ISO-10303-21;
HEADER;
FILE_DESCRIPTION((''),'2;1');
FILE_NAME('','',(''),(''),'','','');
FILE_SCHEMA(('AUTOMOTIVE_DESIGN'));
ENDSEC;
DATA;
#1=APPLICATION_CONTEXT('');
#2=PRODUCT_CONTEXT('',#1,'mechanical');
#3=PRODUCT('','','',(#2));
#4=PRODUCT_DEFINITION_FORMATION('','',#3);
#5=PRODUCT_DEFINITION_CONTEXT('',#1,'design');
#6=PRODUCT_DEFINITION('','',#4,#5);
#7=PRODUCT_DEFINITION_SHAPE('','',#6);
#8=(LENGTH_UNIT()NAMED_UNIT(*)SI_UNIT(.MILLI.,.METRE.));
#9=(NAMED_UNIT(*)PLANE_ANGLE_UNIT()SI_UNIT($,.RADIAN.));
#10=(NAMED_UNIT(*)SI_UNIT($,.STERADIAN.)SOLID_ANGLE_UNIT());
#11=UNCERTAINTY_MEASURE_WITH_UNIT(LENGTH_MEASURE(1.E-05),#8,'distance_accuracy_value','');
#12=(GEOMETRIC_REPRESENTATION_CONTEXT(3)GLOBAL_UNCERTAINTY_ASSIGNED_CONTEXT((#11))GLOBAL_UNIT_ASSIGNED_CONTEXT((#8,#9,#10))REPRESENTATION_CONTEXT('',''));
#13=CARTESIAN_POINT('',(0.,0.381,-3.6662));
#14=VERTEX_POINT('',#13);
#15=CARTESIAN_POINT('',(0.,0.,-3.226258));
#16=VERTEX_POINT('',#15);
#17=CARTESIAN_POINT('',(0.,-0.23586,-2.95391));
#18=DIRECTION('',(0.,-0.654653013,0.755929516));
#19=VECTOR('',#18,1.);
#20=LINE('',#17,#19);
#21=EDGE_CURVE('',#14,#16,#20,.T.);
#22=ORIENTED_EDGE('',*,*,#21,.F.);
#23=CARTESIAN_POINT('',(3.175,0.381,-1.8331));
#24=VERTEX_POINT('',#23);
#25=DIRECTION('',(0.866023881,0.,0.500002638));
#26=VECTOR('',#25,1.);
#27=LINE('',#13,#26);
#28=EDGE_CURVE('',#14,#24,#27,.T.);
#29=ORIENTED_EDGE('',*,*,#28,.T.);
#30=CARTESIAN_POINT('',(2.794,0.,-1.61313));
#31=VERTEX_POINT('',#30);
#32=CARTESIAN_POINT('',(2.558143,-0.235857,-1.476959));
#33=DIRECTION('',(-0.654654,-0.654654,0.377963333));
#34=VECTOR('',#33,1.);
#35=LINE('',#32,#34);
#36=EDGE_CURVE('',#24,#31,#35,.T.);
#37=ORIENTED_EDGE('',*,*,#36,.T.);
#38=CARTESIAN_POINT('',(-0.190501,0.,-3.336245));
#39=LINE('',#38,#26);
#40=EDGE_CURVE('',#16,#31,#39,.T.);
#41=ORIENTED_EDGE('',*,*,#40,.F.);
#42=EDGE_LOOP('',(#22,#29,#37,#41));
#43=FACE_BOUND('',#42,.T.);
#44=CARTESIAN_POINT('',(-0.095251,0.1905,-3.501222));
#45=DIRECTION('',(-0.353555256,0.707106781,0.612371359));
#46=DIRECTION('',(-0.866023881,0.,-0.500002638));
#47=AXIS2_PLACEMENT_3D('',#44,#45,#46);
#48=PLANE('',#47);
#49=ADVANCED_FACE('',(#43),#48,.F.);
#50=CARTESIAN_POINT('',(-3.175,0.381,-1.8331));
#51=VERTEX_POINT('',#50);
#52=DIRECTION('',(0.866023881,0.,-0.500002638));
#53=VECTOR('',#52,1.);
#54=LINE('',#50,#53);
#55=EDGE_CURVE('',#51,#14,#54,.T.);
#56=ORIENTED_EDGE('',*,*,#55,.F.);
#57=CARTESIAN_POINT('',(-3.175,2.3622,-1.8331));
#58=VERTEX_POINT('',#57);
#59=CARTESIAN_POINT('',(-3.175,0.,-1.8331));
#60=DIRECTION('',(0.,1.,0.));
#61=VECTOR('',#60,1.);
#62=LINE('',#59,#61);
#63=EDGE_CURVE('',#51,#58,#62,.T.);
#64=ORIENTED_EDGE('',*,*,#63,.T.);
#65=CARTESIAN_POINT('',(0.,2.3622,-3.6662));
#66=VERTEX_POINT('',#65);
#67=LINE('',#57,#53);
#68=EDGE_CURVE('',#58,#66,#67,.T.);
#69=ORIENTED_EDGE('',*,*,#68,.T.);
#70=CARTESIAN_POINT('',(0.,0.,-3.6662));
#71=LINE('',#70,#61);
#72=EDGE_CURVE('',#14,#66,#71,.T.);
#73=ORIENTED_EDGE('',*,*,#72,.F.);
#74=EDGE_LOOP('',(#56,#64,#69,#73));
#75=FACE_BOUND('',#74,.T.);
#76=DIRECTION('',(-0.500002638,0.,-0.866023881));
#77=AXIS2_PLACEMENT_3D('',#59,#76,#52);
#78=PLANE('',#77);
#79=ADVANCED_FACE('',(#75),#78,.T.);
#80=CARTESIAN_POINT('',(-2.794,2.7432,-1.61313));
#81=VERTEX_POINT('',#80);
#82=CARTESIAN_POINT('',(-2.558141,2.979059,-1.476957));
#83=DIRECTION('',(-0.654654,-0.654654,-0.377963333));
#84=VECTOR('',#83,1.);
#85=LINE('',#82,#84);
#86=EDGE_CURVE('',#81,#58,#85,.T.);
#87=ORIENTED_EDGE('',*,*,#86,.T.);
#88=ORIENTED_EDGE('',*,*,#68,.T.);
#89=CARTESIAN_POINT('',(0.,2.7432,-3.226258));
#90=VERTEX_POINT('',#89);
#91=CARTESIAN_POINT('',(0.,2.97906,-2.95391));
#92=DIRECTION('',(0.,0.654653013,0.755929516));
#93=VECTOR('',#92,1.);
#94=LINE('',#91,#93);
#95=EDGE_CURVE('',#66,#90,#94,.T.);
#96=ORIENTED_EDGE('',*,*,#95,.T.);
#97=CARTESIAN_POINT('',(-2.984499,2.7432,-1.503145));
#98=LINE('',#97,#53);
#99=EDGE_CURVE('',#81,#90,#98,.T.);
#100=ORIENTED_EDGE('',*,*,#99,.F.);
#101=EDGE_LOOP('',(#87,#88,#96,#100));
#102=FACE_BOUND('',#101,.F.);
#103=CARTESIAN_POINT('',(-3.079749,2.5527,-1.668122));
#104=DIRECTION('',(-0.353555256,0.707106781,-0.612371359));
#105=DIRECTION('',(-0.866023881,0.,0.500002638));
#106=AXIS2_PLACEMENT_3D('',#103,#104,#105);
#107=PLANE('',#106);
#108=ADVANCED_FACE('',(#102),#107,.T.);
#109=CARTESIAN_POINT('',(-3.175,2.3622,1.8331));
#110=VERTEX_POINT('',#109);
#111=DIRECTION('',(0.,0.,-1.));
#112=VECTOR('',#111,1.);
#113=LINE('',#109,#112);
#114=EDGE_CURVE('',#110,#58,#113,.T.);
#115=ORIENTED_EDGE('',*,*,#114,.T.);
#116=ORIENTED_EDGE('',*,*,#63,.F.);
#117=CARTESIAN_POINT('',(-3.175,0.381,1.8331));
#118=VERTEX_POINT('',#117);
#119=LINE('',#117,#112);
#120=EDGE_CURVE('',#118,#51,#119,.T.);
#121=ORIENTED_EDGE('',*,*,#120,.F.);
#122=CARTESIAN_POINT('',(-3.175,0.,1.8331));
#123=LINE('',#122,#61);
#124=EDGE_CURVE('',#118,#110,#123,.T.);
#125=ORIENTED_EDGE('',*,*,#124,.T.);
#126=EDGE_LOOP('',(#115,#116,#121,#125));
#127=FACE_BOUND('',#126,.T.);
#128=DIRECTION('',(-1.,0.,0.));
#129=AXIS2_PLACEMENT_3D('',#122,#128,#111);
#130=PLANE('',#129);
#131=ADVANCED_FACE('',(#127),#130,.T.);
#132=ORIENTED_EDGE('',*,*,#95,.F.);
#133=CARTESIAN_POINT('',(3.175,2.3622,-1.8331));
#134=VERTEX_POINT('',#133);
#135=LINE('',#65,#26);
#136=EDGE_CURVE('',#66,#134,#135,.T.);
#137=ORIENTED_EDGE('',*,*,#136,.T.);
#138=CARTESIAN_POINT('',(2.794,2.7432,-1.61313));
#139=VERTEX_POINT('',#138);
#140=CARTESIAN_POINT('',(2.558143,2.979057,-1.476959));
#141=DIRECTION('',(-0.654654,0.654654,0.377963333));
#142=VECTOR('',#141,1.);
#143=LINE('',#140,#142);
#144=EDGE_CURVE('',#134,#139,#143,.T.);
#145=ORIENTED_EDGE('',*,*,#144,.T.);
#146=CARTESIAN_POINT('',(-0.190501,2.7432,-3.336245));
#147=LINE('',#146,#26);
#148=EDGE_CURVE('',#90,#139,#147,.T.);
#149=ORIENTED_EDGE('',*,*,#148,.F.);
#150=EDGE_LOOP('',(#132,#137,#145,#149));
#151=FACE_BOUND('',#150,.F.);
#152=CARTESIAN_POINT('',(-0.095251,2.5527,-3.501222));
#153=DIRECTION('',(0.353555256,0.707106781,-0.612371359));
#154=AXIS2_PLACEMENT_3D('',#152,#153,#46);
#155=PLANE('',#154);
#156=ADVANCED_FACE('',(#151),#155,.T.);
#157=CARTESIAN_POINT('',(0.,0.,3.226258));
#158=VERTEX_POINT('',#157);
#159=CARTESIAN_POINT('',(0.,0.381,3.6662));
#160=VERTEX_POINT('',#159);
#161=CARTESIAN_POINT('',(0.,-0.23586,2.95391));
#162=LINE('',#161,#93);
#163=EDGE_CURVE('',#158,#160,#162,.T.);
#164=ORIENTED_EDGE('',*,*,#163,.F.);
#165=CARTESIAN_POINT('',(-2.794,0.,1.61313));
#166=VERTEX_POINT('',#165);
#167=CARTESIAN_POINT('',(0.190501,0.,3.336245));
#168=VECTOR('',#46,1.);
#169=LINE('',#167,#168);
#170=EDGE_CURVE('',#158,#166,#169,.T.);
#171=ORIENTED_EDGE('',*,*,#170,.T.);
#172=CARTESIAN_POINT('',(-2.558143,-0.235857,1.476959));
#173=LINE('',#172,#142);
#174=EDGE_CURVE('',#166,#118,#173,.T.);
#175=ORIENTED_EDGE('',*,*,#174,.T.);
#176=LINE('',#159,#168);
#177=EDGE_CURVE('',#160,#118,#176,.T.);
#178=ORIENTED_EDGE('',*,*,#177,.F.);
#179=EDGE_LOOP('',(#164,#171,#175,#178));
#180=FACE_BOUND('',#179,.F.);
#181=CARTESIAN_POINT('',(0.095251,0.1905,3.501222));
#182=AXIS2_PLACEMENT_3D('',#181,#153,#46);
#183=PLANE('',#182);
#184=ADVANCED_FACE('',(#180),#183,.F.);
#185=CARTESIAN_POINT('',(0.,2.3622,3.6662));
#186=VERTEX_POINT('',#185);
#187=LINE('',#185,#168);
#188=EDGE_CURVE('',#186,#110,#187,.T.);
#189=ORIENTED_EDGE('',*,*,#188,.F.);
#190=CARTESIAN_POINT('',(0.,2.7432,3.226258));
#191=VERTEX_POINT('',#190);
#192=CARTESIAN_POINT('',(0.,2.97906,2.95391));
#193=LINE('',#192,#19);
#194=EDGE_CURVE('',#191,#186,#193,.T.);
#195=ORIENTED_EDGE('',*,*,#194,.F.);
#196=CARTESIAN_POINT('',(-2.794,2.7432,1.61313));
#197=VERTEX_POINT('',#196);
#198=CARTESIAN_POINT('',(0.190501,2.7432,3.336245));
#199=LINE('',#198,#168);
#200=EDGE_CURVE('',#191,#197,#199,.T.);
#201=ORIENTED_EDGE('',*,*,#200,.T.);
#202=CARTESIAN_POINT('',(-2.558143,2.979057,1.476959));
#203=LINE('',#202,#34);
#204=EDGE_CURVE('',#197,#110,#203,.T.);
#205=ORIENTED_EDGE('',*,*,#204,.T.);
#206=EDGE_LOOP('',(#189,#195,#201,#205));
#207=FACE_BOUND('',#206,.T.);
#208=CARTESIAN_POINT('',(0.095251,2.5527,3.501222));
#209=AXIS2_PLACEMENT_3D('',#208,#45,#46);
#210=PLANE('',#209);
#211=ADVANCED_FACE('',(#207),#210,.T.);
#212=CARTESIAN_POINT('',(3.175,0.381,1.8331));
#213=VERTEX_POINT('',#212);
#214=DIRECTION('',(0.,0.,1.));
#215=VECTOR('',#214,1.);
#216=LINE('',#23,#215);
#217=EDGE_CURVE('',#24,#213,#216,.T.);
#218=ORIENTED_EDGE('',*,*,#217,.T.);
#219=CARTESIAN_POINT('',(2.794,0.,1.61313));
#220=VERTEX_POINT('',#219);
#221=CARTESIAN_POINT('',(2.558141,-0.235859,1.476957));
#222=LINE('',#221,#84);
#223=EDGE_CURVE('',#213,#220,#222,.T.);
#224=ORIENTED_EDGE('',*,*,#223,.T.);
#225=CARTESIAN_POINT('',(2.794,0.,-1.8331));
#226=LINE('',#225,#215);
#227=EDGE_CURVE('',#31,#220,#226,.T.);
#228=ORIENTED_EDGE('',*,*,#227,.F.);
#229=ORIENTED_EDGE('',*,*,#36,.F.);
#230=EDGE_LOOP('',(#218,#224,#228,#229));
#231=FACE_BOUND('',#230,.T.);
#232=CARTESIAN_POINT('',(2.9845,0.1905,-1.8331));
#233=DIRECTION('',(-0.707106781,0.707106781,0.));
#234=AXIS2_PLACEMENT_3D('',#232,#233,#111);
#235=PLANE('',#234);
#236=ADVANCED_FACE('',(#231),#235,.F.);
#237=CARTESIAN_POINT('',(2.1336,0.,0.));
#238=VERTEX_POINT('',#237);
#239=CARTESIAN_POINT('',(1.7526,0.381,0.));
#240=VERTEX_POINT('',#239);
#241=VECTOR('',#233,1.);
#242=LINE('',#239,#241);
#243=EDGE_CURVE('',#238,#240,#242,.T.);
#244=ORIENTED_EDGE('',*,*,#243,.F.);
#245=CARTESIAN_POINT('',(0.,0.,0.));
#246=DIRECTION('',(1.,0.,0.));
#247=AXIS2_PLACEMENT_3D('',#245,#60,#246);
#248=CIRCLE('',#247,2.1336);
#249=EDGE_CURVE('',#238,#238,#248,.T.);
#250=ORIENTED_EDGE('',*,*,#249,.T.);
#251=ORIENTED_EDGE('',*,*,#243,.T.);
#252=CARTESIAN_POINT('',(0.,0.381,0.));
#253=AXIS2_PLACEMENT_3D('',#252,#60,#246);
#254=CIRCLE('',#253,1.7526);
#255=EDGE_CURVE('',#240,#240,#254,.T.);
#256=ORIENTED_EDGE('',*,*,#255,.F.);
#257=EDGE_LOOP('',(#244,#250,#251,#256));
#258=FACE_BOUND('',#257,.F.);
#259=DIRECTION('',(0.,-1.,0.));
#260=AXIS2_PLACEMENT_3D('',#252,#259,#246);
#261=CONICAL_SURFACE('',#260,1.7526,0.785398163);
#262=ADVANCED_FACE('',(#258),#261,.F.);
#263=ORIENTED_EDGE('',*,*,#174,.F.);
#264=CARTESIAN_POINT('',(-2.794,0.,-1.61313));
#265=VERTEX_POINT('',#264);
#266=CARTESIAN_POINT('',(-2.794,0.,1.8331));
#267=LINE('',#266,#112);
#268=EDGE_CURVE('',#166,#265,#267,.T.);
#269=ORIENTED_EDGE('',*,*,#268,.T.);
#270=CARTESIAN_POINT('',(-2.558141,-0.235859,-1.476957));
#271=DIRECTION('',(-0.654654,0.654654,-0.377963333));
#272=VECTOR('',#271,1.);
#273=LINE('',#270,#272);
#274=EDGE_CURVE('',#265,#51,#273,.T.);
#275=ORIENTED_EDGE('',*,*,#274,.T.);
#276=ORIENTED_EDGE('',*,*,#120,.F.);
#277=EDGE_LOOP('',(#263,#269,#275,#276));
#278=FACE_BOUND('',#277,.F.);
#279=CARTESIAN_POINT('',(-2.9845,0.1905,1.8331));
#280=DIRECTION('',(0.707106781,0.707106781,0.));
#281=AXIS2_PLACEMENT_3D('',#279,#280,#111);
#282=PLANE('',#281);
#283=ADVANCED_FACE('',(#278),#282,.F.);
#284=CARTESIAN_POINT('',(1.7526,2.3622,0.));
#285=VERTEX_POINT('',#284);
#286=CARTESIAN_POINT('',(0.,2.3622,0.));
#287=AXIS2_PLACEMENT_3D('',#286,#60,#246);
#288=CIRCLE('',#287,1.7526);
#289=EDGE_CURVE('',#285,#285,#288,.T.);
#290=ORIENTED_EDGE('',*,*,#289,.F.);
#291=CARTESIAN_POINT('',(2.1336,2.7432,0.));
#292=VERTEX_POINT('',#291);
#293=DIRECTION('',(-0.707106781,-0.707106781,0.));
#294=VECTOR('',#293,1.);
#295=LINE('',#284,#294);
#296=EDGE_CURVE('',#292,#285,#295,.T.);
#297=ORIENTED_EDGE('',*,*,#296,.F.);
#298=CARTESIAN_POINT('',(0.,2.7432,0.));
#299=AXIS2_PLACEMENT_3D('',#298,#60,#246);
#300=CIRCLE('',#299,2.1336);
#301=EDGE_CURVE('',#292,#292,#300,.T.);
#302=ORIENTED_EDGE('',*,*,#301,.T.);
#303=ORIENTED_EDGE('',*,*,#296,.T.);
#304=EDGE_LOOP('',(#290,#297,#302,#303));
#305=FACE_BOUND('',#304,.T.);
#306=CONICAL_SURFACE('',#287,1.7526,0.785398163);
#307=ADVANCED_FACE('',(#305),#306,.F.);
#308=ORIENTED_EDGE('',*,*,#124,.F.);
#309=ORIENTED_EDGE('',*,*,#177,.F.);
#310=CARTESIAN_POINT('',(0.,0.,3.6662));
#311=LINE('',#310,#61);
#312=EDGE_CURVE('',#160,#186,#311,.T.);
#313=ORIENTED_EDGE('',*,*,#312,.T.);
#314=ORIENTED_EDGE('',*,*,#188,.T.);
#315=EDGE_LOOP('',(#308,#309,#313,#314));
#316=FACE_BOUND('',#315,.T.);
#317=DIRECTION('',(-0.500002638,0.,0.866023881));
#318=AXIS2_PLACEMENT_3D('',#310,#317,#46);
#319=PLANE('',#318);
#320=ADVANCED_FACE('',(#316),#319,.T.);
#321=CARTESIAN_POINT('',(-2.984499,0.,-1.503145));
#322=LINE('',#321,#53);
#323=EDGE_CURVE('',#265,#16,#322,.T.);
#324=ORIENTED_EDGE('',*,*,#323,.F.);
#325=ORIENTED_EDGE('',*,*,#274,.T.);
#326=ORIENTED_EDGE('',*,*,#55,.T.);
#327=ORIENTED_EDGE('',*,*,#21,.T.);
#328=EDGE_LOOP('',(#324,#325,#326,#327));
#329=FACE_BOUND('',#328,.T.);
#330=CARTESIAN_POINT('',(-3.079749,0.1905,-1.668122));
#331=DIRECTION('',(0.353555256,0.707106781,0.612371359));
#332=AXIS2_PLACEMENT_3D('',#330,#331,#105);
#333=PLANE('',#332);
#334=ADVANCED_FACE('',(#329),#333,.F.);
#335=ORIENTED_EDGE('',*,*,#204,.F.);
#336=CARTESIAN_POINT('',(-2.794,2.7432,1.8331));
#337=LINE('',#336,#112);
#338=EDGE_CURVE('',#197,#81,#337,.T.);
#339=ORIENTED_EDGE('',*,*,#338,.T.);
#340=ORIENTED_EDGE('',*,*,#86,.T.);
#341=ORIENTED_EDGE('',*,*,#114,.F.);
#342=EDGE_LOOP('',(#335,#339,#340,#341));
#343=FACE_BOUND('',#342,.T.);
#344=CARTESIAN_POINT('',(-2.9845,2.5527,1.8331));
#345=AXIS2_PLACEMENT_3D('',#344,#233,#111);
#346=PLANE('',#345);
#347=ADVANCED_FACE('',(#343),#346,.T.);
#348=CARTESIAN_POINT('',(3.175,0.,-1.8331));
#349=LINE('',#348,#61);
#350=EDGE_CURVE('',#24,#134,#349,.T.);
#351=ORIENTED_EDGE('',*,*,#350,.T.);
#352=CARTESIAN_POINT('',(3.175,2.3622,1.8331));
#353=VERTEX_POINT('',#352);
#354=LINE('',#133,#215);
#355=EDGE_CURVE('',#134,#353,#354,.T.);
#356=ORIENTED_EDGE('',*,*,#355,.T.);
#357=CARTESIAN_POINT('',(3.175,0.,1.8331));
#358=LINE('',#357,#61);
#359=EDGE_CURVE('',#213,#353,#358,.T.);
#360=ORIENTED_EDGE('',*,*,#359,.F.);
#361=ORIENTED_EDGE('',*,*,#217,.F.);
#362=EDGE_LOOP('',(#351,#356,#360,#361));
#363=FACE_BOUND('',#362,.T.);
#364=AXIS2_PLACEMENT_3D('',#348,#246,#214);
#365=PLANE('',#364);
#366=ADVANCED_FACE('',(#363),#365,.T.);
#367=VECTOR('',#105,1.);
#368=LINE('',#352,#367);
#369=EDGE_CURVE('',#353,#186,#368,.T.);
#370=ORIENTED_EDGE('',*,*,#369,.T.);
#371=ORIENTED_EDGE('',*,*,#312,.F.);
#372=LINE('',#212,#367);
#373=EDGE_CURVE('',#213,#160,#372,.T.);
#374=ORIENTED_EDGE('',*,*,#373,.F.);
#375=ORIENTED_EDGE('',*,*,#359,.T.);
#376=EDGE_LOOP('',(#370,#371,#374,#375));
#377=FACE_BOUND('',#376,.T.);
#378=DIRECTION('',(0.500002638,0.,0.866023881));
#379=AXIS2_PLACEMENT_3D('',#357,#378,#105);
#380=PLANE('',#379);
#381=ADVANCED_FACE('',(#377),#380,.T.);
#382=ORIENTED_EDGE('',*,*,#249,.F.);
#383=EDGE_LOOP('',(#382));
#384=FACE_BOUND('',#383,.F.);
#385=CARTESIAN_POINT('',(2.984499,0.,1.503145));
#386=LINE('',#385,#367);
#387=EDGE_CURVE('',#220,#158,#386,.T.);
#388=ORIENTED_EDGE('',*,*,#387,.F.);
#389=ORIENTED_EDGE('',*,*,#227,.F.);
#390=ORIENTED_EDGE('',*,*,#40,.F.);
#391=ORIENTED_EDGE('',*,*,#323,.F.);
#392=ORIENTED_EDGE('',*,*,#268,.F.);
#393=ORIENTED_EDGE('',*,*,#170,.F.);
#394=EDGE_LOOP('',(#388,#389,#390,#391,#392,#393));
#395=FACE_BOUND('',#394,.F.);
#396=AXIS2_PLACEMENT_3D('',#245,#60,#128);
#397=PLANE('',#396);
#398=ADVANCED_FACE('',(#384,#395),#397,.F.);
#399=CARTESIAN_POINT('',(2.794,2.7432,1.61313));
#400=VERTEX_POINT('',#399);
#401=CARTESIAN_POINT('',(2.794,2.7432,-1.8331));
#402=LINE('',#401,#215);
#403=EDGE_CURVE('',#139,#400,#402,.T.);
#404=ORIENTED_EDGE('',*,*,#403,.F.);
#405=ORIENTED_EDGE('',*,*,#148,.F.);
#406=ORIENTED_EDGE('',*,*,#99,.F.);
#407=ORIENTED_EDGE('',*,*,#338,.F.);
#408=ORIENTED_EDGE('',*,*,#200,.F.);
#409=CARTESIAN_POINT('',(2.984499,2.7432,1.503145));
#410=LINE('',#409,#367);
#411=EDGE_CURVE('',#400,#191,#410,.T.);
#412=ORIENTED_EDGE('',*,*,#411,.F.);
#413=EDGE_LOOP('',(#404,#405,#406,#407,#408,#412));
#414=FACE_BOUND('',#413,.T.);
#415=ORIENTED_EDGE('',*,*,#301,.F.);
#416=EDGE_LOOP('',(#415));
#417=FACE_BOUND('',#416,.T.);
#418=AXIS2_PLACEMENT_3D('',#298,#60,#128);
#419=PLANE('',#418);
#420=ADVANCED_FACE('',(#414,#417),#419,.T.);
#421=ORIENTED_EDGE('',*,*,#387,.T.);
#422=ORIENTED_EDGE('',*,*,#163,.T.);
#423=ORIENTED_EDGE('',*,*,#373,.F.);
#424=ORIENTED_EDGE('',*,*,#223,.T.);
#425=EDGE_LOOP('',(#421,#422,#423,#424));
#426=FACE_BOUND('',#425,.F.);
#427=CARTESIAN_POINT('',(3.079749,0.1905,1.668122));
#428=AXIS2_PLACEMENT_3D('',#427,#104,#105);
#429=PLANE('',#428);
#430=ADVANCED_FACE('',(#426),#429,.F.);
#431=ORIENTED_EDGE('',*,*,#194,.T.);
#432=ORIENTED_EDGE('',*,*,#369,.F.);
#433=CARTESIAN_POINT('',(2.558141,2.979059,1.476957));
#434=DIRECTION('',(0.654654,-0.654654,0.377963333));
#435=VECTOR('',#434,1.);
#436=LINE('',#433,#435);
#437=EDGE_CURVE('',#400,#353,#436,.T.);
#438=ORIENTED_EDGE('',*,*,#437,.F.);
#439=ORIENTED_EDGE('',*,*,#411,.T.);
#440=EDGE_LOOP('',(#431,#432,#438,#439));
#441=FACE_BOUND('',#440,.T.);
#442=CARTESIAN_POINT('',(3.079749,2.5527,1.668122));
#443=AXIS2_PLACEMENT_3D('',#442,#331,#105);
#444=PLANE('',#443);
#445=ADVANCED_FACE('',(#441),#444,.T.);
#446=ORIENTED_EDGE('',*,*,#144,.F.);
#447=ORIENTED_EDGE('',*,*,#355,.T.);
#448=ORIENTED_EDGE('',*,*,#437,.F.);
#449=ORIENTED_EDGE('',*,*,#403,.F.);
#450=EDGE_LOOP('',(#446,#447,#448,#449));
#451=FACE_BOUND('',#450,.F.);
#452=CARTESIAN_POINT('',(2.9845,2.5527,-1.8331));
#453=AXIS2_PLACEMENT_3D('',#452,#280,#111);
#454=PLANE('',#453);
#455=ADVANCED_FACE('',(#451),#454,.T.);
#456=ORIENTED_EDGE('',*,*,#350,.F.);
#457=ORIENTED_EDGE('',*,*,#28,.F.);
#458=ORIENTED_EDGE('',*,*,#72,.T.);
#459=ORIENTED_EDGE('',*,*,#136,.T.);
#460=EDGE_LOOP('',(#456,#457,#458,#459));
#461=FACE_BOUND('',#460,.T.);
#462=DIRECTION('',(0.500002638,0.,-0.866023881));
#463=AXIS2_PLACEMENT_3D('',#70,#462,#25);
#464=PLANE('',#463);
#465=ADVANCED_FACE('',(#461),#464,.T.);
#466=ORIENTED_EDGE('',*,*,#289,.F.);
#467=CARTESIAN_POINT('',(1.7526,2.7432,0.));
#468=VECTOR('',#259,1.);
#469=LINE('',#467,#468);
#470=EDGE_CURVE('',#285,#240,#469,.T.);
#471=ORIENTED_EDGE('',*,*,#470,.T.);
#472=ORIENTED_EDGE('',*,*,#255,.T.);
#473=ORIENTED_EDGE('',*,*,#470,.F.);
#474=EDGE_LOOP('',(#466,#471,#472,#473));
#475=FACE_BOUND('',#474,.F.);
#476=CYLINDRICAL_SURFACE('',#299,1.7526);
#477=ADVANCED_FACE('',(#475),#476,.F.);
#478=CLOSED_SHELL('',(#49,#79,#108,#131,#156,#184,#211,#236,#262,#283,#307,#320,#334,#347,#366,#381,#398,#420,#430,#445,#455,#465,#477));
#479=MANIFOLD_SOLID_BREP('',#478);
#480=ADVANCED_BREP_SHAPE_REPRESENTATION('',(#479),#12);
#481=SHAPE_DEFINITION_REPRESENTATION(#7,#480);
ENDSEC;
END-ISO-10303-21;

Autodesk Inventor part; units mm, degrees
ref_plane "YZ Plane" through (0, 0, 0) normal (1, 0, 0) x (0, 1, 0)
ref_plane "XZ Plane" through (0, 0, 0) normal (0, 1, 0) x (-1, 0, 0)
ref_plane "XY Plane" through (0, 0, 0) normal (0, 0, 1) x (1, 0, 0)
sketch "Sketch1" plane through (0, 0, 0) normal (0, 1, 0) x (-1, 0, 0)
  line L0 (0, -3.6662) -> (-3.175, -1.8331)
  line L1 (-3.175, -1.8331) -> (-3.175, 1.8331)
  line L2 (-3.175, 1.8331) -> (0, 3.6662)
  line L3 (0, 3.6662) -> (3.175, 1.8331)
  line L4 (3.175, 1.8331) -> (3.175, -1.8331)
  line L5 (3.175, -1.8331) -> (0, -3.6662)
  line L6 (0, 3.6662) -> (0, -3.6662) construction
  point P0 (0, 0)
  point P1 (0, 0)
  dimension "d0" = 6.35
extrude "Extrusion1" add sketch "Sketch1" along normal blind 2.7432
sketch "Sketch2" plane through (0, 2.7432, 0) normal (0, 1, 0) x (1, 0, 0)
  circle A0 centre (0, 0) radius 1.7526
  dimension "d3" = 3.5052
extrude "Extrusion2" cut sketch "Sketch2" against normal blind 2.7432
chamfer "Chamfer1" distance 0.381 angle 45 14 edges at (1.5875, 2.7432, 2.7496) (-1.5875, 2.7432, 2.7496) (-3.175, 2.7432, 0) (-1.5875, 2.7432, -2.7496) (1.5875, 2.7432, -2.7496) (3.175, 2.7432, 0) (-1.7526, 2.7432, 0) (3.175, 0, 0) (1.5875, 0, 2.7496) (-1.5875, 0, 2.7496) (-3.175, 0, 0) (-1.5875, 0, -2.7496) (1.5875, 0, -2.7496) (-1.7526, 0, 0)
thread "Thread1" size "6-32 UNC" class "2B" standard "ANSI Unified Screw Threads" full length
properties part number "6-32x0,25 Nut" material "Stainless Steel"
